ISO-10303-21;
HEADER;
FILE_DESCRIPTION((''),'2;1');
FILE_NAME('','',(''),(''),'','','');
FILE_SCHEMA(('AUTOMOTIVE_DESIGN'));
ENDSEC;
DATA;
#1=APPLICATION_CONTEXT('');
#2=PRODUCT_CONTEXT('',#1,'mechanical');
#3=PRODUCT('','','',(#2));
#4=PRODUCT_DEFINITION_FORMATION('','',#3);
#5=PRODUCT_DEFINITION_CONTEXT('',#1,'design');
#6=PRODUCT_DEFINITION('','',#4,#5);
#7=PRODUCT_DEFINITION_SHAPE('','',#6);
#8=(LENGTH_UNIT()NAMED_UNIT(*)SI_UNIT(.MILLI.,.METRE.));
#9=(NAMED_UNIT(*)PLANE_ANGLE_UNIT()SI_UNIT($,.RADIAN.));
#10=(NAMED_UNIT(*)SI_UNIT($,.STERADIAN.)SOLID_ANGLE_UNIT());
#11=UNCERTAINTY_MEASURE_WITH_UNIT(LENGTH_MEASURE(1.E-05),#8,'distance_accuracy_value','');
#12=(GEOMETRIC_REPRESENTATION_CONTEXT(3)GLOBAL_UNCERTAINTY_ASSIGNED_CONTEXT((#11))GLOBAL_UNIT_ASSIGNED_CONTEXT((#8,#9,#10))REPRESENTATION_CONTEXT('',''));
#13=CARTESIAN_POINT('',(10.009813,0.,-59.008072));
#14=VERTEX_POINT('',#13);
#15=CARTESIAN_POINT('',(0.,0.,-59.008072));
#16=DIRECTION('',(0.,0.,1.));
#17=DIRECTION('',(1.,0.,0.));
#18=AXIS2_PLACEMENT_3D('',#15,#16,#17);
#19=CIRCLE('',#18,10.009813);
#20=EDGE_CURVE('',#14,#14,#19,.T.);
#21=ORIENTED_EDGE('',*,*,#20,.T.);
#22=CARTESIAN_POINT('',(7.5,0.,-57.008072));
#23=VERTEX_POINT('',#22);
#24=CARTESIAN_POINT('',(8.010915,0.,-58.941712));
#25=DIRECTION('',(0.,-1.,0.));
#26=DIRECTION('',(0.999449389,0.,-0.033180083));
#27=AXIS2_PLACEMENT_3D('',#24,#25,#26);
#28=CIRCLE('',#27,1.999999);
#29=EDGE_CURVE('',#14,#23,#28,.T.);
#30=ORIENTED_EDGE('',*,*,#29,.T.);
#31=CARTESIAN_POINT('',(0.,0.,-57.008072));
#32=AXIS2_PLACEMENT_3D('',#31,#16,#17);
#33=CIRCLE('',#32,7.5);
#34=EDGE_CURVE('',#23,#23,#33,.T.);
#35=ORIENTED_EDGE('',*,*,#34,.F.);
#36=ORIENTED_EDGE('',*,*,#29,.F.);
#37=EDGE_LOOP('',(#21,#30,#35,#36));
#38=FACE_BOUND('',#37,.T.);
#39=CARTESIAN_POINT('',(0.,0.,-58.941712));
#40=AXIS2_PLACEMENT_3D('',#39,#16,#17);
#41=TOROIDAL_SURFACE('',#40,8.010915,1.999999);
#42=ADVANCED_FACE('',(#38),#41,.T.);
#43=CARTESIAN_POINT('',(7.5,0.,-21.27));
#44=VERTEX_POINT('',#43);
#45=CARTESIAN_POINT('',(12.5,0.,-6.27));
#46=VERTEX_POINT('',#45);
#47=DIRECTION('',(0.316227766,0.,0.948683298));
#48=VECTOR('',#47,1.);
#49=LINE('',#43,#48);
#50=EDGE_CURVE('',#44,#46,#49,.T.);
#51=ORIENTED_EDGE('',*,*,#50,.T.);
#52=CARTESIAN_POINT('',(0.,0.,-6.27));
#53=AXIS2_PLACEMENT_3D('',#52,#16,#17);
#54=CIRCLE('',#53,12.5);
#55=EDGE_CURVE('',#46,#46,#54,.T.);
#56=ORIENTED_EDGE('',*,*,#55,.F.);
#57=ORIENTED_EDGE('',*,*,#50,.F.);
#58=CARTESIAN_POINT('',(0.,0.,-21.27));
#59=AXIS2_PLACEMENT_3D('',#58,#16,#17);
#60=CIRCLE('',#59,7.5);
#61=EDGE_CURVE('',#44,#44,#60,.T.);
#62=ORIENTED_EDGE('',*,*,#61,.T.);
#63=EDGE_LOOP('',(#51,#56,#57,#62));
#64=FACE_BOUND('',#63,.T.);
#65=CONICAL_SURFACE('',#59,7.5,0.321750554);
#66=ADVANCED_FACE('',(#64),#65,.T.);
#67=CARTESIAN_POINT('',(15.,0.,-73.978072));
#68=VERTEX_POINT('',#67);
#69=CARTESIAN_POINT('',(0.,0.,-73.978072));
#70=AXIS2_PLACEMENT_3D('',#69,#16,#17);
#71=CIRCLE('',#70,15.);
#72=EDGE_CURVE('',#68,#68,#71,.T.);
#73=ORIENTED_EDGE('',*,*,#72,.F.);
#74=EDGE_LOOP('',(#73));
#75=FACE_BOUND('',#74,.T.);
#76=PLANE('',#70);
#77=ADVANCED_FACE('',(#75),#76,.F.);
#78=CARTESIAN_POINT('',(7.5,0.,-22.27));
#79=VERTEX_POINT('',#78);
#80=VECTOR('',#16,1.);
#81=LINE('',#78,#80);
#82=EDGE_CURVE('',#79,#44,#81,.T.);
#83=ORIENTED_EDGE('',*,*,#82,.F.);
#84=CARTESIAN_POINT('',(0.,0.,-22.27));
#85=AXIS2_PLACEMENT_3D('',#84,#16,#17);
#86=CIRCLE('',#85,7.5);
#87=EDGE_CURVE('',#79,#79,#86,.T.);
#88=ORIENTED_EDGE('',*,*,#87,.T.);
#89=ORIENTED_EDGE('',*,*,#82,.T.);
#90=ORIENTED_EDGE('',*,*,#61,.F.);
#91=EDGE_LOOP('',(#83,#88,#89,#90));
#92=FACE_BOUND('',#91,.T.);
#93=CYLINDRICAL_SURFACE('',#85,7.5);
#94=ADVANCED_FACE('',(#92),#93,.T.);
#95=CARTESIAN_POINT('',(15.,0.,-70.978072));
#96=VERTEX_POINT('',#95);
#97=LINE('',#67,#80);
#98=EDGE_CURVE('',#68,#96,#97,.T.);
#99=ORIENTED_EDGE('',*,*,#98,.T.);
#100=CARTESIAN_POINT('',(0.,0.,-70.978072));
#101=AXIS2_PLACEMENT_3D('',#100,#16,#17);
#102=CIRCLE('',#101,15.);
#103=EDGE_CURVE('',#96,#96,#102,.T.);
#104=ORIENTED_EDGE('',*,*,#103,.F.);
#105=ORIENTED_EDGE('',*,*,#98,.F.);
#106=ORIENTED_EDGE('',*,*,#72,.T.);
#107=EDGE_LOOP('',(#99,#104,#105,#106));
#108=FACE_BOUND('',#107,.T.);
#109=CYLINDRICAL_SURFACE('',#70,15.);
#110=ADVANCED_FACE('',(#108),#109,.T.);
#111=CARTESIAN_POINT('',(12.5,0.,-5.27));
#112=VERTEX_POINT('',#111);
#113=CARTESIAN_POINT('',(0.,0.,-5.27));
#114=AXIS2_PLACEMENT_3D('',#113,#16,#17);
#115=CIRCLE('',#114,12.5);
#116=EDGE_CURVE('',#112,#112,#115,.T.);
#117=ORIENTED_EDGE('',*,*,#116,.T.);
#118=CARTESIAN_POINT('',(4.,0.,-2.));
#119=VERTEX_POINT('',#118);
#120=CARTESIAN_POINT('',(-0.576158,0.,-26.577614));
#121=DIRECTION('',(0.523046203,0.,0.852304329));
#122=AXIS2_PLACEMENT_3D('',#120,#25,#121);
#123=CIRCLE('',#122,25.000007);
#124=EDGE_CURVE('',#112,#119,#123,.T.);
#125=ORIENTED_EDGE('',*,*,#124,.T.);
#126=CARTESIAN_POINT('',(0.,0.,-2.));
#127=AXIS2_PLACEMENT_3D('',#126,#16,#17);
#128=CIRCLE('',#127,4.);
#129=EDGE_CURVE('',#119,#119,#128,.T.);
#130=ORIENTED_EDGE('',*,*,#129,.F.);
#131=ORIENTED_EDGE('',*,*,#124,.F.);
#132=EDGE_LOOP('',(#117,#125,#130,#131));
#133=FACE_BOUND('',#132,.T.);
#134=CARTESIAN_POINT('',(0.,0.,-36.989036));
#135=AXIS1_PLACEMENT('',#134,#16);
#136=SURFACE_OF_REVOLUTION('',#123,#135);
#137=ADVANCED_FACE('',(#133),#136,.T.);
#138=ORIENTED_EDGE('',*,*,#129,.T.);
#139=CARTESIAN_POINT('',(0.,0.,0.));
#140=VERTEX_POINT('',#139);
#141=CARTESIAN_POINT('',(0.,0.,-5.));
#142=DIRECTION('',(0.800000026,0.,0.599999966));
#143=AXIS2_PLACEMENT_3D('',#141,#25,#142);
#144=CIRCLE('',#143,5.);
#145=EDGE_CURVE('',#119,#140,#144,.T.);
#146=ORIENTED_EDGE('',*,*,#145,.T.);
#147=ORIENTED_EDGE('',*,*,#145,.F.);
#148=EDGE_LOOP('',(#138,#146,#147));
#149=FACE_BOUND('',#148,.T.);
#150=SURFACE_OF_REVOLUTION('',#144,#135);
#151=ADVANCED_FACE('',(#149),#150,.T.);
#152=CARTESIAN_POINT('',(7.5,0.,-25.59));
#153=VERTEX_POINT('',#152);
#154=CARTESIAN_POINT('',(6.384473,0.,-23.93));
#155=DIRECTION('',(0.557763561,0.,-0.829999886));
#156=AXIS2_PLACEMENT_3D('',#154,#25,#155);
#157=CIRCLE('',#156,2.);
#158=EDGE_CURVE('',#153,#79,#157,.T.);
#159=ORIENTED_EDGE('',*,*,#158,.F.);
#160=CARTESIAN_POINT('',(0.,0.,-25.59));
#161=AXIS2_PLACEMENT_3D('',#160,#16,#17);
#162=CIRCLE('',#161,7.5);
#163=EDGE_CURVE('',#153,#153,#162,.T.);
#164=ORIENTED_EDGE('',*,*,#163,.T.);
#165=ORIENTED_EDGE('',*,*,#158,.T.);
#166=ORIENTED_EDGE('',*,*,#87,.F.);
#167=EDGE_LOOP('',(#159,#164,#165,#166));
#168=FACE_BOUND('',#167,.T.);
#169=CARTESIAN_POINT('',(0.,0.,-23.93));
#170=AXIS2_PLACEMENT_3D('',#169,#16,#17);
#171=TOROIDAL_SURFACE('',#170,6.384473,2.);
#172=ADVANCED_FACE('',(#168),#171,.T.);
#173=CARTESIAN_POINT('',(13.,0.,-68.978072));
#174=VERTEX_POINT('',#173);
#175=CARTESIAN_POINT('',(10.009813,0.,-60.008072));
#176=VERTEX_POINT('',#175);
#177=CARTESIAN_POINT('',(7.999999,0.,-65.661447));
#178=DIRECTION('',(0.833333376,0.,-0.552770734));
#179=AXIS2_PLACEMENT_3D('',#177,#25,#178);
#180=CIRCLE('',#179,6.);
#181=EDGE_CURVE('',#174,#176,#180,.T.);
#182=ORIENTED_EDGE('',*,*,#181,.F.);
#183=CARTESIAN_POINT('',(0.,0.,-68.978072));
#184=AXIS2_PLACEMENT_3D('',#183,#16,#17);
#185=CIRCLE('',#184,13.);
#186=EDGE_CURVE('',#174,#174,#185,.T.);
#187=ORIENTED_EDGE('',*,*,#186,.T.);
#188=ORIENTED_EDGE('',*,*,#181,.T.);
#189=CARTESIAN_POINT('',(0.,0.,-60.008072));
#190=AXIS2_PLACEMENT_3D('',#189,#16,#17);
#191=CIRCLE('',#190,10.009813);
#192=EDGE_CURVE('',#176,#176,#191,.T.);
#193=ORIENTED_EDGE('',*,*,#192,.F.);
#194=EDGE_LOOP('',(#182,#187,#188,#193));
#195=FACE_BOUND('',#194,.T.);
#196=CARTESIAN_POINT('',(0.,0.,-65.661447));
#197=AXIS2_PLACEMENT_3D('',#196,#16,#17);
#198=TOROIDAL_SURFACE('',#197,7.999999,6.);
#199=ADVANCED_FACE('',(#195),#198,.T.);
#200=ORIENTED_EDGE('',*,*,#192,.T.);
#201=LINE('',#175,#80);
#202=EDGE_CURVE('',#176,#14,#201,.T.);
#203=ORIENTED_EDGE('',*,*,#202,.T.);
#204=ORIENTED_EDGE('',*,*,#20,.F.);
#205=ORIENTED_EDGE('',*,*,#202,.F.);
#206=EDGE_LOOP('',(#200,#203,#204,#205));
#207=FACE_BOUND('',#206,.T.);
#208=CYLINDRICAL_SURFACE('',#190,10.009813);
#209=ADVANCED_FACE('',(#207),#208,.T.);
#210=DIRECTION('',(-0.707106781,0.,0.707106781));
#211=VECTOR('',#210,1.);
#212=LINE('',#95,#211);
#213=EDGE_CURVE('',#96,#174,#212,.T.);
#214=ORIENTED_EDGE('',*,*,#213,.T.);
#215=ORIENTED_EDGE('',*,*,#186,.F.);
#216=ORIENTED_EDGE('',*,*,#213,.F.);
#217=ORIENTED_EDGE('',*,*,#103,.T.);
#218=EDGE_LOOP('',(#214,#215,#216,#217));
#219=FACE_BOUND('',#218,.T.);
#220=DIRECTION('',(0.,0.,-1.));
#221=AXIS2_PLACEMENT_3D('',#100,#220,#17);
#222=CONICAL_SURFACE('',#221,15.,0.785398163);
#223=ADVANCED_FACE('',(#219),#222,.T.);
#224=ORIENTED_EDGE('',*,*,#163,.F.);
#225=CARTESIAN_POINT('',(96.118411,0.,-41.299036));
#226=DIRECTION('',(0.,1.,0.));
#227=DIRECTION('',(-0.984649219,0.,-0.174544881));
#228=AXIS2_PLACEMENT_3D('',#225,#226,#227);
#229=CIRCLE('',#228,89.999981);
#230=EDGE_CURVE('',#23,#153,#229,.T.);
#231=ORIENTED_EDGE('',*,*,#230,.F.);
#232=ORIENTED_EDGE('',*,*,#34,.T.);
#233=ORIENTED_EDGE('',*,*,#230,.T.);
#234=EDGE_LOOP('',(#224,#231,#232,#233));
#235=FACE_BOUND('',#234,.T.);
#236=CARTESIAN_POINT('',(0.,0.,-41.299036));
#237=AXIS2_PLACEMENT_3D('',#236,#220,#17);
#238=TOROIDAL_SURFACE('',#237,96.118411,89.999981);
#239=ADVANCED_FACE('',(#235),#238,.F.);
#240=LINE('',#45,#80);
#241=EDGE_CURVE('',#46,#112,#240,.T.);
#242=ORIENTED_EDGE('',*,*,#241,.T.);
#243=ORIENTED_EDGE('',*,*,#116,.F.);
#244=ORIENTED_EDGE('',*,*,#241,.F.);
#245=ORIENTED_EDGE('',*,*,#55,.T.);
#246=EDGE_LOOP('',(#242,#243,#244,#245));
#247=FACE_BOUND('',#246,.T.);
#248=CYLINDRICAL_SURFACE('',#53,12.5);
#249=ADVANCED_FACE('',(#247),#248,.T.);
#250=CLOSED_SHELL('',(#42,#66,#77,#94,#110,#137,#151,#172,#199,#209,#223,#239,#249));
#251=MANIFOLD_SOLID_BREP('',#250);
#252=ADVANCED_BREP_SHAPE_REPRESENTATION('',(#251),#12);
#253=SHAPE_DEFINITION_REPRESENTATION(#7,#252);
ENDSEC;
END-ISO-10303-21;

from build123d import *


with BuildPart() as f1:
    # F0 (on Front) → F1 (revolve)
    with BuildSketch(Plane.XZ):
        with BuildLine():
            ThreePointArc((12.5, -5.27), (8.40016, -3.244675), (4, -2))
            ThreePointArc((4, -2), (2.236068, -0.527864), (0, 0))
            Line((0, 0), (0, -73.978072))
            Line((0, -73.978072), (15, -73.978072))
            Line((15, -73.978072), (15, -70.978072))
            Line((15, -70.978072), (13, -68.978072))
            ThreePointArc((13, -68.978072), (13.692064, -63.763974), (10.009813, -60.008072))
            Line((10.009813, -60.008072), (10.009813, -59.008072))
            ThreePointArc((10.009813, -59.008072), (9.257319, -57.377591), (7.5, -57.008072))
            ThreePointArc((7.5, -57.008072), (6.11843, -41.299036), (7.5, -25.59))
            ThreePointArc((7.5, -25.59), (8.384473, -23.93), (7.5, -22.27))
            Line((7.5, -22.27), (7.5, -21.27))
            Line((7.5, -21.27), (12.5, -6.27))
            Line((12.5, -6.27), (12.5, -5.27))
        make_face()
    revolve(axis=Axis((0, 0, -36.989036), (0, 0, 1)))


solid = f1.part
